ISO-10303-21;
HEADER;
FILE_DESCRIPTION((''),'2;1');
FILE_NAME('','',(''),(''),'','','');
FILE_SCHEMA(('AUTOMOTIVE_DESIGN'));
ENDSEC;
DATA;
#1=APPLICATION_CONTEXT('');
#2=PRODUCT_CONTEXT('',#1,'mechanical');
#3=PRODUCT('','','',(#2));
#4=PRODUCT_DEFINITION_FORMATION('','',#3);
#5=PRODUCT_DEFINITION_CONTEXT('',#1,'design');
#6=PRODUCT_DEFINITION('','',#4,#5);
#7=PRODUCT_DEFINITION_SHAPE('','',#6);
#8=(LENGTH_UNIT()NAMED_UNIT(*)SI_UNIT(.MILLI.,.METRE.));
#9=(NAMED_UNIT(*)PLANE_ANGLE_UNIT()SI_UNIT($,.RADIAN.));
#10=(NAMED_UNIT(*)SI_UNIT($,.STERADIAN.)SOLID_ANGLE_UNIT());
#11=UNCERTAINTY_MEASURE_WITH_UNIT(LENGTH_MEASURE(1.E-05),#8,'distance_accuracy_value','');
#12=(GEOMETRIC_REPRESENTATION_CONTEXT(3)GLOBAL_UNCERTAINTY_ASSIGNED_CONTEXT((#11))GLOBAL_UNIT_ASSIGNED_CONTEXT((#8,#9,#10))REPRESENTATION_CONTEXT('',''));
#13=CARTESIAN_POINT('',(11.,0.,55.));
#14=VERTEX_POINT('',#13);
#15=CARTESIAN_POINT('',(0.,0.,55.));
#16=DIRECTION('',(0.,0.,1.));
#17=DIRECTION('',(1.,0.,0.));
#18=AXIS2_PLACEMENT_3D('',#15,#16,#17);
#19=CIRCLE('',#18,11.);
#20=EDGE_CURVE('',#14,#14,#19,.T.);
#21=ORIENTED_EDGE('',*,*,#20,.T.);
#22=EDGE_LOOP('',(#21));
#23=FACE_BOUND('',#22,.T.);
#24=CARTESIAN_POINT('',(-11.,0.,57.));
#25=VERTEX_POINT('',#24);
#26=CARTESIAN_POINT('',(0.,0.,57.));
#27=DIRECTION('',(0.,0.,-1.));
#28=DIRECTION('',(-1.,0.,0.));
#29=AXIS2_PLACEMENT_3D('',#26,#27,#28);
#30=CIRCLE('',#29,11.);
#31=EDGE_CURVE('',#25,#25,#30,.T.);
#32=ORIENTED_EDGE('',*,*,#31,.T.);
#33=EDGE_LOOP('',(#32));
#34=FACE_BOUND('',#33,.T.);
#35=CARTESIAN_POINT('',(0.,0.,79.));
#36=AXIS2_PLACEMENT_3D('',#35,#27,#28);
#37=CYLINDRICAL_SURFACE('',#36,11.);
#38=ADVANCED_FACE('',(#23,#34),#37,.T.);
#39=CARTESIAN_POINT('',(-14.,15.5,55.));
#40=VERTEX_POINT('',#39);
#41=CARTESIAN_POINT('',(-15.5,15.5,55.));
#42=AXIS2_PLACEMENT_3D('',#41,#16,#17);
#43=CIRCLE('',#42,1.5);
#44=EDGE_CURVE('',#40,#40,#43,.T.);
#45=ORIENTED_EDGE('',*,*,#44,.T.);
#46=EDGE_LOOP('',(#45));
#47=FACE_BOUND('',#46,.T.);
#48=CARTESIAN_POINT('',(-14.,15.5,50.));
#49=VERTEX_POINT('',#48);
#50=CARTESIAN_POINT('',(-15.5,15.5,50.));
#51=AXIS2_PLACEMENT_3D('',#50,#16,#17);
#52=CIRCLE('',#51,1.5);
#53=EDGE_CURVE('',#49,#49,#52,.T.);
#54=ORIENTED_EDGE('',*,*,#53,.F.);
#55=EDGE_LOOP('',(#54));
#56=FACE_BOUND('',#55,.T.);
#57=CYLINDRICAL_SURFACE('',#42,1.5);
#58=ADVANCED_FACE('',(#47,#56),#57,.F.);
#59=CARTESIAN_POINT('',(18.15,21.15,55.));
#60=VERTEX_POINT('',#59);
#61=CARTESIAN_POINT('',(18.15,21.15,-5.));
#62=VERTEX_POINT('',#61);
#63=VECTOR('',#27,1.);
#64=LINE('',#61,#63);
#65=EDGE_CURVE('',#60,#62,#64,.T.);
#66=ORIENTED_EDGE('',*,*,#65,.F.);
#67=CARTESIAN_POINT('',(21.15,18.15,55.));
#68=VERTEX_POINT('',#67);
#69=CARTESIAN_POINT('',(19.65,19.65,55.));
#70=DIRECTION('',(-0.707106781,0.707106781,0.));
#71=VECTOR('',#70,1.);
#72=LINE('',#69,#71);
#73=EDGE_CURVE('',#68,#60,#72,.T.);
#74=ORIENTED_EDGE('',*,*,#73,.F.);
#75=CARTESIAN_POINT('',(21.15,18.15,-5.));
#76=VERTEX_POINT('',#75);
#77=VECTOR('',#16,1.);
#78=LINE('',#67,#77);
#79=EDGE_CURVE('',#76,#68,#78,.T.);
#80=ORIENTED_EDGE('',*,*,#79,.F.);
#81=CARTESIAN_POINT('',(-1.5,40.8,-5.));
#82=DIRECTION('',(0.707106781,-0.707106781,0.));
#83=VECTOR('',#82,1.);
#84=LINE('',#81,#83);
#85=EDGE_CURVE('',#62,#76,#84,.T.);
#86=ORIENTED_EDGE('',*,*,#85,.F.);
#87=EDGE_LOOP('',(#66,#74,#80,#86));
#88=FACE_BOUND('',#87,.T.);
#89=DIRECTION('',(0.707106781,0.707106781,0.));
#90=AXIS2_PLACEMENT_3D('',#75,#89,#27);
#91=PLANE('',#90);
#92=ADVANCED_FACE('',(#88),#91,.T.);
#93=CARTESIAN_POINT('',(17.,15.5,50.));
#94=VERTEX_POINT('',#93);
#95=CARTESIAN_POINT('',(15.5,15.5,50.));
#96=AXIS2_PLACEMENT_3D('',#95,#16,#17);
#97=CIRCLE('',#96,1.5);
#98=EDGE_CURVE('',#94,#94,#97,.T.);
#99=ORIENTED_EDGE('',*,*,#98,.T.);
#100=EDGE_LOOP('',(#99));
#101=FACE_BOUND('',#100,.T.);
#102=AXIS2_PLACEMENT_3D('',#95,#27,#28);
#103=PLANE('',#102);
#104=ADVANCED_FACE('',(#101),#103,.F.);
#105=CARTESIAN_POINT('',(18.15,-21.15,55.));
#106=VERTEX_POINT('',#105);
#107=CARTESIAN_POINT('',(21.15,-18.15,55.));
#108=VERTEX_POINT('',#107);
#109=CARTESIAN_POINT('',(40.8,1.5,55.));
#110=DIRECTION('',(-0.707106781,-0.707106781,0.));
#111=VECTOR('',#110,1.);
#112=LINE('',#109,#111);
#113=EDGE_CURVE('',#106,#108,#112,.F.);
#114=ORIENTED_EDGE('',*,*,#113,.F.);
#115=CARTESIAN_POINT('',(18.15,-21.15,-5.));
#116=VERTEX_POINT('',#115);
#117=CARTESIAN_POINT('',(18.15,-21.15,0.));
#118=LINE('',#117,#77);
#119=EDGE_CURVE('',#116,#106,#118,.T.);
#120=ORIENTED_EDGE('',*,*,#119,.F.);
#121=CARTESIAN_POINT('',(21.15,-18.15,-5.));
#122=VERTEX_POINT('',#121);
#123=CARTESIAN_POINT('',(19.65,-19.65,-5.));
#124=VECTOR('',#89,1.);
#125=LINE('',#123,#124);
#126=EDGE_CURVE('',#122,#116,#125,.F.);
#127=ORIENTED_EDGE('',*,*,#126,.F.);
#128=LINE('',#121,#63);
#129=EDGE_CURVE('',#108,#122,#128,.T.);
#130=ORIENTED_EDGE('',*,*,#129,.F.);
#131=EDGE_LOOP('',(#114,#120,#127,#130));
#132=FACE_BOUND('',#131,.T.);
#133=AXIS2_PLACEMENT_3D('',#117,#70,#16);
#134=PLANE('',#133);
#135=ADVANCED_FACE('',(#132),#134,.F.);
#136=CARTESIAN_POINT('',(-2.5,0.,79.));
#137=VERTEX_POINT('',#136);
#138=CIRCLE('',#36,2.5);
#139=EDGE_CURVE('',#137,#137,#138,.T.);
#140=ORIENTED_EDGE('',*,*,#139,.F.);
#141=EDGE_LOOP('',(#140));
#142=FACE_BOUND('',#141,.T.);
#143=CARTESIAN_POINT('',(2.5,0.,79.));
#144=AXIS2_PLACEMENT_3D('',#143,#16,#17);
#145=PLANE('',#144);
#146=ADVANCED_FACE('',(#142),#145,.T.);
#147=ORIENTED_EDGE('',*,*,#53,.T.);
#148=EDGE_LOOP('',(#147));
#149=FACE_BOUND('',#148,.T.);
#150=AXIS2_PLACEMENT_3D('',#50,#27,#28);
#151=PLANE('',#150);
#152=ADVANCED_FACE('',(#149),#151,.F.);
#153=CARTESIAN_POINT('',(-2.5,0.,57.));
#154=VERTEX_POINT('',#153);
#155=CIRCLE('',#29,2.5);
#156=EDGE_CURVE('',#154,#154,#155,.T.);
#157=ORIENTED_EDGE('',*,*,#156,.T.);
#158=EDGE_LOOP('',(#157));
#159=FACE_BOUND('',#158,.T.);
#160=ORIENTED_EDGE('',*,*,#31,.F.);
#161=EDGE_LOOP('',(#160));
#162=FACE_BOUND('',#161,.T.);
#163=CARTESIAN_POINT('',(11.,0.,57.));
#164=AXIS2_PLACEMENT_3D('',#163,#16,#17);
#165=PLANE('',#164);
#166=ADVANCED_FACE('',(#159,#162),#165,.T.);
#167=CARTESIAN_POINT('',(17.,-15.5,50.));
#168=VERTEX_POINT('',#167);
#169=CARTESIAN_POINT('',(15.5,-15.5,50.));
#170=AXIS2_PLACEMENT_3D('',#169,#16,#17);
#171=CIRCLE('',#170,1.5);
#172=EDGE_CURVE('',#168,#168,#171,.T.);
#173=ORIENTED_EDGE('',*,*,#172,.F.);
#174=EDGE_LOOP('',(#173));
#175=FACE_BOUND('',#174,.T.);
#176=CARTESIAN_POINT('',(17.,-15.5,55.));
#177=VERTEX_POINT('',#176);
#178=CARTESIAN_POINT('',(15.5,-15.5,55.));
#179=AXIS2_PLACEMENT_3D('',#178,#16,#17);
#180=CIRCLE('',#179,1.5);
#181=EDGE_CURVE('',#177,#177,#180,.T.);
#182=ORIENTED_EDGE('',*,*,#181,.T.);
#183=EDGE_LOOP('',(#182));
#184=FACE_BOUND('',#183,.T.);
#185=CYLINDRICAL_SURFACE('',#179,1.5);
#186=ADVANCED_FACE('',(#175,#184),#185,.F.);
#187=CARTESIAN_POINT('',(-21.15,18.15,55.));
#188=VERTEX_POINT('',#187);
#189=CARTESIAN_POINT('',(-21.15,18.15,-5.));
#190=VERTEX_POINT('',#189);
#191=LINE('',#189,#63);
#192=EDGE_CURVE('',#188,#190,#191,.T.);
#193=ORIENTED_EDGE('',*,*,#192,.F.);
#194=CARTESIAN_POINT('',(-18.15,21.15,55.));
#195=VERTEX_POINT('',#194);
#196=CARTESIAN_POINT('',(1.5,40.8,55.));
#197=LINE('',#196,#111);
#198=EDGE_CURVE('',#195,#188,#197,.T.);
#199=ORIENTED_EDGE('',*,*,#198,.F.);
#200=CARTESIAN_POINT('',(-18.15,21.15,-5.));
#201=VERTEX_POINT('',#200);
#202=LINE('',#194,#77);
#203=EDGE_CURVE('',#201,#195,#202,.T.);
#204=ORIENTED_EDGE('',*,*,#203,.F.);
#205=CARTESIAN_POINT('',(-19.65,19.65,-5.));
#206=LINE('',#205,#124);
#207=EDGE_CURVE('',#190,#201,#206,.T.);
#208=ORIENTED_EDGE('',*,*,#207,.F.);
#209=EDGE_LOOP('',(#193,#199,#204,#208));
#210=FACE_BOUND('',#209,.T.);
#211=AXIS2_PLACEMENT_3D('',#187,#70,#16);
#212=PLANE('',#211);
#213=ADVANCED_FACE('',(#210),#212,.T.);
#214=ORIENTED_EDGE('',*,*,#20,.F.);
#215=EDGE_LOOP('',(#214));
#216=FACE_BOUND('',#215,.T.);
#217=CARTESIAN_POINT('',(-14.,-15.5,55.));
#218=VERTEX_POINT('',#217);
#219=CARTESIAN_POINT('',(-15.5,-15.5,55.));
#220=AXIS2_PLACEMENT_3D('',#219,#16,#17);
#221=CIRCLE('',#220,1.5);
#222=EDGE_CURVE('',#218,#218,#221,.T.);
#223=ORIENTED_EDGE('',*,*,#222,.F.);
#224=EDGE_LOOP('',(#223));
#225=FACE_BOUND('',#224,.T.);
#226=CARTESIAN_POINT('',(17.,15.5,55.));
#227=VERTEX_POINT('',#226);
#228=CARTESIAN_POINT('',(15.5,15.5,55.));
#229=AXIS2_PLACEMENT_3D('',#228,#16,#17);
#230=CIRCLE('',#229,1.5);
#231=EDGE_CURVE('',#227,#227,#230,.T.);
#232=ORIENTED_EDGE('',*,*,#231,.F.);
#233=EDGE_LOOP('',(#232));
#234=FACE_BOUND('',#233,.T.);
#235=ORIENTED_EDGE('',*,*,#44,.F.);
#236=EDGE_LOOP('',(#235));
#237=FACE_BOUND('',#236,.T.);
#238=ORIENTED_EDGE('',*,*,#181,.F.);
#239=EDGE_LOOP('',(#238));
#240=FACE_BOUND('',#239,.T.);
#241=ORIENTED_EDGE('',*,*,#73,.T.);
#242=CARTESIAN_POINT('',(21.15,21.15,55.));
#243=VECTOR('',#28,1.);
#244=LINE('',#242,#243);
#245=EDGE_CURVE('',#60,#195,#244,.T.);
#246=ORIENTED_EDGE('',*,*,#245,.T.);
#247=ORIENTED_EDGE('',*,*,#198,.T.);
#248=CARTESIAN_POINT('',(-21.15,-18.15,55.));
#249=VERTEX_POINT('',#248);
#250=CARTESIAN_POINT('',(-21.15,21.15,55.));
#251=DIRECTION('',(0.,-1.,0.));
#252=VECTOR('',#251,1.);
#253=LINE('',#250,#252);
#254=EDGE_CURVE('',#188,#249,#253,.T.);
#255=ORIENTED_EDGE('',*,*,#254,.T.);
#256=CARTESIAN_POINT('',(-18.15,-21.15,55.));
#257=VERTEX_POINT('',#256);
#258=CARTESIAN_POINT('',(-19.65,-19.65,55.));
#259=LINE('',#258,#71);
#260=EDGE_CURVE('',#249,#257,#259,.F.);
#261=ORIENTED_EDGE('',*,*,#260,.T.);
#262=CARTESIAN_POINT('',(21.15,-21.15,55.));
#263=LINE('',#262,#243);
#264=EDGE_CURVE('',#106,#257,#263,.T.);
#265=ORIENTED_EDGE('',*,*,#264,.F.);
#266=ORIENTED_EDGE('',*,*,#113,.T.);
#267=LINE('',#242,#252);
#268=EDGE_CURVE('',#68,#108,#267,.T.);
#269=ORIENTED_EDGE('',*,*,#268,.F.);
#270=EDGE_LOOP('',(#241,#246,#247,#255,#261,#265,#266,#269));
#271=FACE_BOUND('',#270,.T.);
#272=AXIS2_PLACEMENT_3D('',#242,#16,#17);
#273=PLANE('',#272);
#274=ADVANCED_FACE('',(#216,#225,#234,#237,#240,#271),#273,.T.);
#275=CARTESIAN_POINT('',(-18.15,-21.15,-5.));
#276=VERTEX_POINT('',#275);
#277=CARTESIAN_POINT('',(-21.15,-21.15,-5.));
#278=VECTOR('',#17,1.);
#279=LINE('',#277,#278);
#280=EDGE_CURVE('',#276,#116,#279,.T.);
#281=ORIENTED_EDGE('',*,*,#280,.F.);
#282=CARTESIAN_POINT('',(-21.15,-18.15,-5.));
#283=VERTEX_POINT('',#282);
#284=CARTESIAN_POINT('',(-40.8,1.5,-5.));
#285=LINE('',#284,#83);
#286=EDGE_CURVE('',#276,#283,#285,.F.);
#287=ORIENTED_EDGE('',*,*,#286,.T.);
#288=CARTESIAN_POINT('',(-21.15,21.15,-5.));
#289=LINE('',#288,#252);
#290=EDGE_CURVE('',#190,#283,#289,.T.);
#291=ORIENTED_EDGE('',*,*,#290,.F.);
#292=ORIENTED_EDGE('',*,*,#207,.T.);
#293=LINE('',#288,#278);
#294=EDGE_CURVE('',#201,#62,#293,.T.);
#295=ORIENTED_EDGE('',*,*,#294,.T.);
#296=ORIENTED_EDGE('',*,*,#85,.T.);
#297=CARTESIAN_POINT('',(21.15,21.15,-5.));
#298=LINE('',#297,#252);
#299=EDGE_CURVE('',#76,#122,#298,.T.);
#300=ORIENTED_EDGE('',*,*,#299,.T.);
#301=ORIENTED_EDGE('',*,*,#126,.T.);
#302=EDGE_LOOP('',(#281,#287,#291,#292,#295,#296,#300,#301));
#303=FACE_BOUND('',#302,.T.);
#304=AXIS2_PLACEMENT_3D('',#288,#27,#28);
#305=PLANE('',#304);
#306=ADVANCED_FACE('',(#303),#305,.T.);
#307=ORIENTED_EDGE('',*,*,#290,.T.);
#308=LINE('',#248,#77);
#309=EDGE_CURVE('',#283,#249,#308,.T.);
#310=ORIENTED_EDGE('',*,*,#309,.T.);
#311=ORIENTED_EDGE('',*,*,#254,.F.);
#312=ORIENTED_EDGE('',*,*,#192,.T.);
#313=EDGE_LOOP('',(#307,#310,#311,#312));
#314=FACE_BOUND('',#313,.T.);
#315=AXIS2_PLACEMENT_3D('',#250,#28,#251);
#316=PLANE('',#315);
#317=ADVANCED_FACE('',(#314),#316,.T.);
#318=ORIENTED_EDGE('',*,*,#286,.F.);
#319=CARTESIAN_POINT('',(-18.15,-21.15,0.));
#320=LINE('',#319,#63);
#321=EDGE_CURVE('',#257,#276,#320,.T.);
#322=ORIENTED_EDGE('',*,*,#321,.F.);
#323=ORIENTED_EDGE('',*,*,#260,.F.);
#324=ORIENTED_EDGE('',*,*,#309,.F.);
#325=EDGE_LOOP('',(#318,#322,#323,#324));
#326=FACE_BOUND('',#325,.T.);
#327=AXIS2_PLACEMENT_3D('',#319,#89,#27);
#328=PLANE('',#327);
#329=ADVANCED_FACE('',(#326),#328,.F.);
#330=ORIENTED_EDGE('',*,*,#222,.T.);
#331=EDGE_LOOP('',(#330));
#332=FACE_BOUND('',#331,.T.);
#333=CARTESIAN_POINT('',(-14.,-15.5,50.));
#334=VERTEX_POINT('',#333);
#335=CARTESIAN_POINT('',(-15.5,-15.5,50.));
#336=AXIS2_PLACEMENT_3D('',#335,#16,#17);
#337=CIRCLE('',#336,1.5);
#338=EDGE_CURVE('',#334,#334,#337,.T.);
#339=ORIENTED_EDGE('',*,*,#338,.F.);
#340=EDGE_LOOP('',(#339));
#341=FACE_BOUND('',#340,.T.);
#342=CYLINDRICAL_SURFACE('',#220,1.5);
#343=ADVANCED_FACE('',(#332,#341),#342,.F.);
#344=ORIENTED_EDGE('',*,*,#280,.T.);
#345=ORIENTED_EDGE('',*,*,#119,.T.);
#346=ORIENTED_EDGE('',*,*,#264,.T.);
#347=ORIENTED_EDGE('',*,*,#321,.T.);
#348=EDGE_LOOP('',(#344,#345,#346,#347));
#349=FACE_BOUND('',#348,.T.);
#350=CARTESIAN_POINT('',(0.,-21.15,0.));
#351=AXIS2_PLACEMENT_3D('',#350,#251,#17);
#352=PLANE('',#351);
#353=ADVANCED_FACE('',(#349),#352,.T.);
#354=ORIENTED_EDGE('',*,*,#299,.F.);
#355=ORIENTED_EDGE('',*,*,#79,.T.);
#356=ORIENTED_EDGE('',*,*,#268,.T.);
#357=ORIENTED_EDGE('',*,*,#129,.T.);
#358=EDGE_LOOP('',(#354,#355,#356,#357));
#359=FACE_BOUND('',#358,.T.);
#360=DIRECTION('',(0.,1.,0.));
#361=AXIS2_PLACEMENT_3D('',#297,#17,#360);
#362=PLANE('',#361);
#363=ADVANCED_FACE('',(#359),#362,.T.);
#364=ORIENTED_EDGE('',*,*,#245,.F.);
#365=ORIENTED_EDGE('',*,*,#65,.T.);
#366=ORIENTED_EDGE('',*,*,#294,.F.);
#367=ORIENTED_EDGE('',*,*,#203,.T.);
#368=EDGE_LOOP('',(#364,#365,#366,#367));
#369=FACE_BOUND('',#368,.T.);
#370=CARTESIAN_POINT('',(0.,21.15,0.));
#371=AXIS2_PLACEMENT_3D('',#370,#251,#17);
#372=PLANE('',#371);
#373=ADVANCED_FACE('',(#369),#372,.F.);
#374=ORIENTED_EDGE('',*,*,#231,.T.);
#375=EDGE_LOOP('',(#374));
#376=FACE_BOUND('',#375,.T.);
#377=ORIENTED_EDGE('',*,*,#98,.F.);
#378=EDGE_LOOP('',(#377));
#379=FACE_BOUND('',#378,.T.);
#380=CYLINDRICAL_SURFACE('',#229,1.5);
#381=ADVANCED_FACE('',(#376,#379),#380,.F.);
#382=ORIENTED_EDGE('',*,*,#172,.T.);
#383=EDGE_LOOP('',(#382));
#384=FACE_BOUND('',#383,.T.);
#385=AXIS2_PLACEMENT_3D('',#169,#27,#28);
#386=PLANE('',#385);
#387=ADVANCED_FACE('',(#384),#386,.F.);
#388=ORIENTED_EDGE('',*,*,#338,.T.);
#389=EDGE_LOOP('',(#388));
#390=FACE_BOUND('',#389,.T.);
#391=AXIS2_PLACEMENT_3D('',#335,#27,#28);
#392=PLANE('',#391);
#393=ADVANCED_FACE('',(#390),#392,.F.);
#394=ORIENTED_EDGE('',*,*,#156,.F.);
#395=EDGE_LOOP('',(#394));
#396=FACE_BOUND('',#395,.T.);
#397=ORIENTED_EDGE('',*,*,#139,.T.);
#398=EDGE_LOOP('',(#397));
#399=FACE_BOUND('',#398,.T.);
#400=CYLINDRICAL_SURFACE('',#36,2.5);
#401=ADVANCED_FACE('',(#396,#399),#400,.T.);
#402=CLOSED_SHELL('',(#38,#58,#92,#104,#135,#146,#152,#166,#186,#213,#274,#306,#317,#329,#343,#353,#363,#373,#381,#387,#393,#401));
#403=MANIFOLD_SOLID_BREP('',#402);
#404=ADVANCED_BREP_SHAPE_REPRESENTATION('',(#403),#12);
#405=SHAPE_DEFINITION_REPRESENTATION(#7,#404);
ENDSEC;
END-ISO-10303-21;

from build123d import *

# Parameters (mm, degrees)
SKETCH_1_W                = 42.3
SKETCH_1_H                = 60
EXTRUDE_1_DEPTH           = 42.3
HOLE_WIZARD_3_0_3_1_D     = 3
HOLE_WIZARD_3_0_3_1_DEPTH = 5
CHAMFER_1_SIZE            = 3


with BuildPart() as part:
    # 草图1 → 凸台-拉伸1 (new body)
    with BuildSketch(Plane.XZ.offset(21.15)):
        with Locations((0, 25)):
            Rectangle(SKETCH_1_W, SKETCH_1_H)
    extrude(amount=-EXTRUDE_1_DEPTH)

    # 草图2 → 旋转1 (revolve)
    with BuildSketch(Plane.XZ):
        Polygon((2.5, 79), (0, 79), (0, 55), (11, 55), (11, 57), (2.5, 57), align=None)
    revolve(axis=Axis((0, 0, 79), (0, 0, -1)))

    # Ø3.0 (3) 直径孔1
    with Locations(Plane.XY.offset(55)):
        with Locations((15.5, -15.5), (-15.5, -15.5), (-15.5, 15.5), (15.5, 15.5)):
            Hole(HOLE_WIZARD_3_0_3_1_D / 2, depth=HOLE_WIZARD_3_0_3_1_DEPTH)

    # 倒角1
    chamfer_1_edges = [part.edges().sort_by_distance(p)[0] for p in [
        (-21.15, 21.15, 25),
        (21.15, 21.15, 25),
        (-21.15, -21.15, 25),
        (21.15, -21.15, 25),
    ]]
    chamfer(chamfer_1_edges, length=CHAMFER_1_SIZE)


solid = part.part
